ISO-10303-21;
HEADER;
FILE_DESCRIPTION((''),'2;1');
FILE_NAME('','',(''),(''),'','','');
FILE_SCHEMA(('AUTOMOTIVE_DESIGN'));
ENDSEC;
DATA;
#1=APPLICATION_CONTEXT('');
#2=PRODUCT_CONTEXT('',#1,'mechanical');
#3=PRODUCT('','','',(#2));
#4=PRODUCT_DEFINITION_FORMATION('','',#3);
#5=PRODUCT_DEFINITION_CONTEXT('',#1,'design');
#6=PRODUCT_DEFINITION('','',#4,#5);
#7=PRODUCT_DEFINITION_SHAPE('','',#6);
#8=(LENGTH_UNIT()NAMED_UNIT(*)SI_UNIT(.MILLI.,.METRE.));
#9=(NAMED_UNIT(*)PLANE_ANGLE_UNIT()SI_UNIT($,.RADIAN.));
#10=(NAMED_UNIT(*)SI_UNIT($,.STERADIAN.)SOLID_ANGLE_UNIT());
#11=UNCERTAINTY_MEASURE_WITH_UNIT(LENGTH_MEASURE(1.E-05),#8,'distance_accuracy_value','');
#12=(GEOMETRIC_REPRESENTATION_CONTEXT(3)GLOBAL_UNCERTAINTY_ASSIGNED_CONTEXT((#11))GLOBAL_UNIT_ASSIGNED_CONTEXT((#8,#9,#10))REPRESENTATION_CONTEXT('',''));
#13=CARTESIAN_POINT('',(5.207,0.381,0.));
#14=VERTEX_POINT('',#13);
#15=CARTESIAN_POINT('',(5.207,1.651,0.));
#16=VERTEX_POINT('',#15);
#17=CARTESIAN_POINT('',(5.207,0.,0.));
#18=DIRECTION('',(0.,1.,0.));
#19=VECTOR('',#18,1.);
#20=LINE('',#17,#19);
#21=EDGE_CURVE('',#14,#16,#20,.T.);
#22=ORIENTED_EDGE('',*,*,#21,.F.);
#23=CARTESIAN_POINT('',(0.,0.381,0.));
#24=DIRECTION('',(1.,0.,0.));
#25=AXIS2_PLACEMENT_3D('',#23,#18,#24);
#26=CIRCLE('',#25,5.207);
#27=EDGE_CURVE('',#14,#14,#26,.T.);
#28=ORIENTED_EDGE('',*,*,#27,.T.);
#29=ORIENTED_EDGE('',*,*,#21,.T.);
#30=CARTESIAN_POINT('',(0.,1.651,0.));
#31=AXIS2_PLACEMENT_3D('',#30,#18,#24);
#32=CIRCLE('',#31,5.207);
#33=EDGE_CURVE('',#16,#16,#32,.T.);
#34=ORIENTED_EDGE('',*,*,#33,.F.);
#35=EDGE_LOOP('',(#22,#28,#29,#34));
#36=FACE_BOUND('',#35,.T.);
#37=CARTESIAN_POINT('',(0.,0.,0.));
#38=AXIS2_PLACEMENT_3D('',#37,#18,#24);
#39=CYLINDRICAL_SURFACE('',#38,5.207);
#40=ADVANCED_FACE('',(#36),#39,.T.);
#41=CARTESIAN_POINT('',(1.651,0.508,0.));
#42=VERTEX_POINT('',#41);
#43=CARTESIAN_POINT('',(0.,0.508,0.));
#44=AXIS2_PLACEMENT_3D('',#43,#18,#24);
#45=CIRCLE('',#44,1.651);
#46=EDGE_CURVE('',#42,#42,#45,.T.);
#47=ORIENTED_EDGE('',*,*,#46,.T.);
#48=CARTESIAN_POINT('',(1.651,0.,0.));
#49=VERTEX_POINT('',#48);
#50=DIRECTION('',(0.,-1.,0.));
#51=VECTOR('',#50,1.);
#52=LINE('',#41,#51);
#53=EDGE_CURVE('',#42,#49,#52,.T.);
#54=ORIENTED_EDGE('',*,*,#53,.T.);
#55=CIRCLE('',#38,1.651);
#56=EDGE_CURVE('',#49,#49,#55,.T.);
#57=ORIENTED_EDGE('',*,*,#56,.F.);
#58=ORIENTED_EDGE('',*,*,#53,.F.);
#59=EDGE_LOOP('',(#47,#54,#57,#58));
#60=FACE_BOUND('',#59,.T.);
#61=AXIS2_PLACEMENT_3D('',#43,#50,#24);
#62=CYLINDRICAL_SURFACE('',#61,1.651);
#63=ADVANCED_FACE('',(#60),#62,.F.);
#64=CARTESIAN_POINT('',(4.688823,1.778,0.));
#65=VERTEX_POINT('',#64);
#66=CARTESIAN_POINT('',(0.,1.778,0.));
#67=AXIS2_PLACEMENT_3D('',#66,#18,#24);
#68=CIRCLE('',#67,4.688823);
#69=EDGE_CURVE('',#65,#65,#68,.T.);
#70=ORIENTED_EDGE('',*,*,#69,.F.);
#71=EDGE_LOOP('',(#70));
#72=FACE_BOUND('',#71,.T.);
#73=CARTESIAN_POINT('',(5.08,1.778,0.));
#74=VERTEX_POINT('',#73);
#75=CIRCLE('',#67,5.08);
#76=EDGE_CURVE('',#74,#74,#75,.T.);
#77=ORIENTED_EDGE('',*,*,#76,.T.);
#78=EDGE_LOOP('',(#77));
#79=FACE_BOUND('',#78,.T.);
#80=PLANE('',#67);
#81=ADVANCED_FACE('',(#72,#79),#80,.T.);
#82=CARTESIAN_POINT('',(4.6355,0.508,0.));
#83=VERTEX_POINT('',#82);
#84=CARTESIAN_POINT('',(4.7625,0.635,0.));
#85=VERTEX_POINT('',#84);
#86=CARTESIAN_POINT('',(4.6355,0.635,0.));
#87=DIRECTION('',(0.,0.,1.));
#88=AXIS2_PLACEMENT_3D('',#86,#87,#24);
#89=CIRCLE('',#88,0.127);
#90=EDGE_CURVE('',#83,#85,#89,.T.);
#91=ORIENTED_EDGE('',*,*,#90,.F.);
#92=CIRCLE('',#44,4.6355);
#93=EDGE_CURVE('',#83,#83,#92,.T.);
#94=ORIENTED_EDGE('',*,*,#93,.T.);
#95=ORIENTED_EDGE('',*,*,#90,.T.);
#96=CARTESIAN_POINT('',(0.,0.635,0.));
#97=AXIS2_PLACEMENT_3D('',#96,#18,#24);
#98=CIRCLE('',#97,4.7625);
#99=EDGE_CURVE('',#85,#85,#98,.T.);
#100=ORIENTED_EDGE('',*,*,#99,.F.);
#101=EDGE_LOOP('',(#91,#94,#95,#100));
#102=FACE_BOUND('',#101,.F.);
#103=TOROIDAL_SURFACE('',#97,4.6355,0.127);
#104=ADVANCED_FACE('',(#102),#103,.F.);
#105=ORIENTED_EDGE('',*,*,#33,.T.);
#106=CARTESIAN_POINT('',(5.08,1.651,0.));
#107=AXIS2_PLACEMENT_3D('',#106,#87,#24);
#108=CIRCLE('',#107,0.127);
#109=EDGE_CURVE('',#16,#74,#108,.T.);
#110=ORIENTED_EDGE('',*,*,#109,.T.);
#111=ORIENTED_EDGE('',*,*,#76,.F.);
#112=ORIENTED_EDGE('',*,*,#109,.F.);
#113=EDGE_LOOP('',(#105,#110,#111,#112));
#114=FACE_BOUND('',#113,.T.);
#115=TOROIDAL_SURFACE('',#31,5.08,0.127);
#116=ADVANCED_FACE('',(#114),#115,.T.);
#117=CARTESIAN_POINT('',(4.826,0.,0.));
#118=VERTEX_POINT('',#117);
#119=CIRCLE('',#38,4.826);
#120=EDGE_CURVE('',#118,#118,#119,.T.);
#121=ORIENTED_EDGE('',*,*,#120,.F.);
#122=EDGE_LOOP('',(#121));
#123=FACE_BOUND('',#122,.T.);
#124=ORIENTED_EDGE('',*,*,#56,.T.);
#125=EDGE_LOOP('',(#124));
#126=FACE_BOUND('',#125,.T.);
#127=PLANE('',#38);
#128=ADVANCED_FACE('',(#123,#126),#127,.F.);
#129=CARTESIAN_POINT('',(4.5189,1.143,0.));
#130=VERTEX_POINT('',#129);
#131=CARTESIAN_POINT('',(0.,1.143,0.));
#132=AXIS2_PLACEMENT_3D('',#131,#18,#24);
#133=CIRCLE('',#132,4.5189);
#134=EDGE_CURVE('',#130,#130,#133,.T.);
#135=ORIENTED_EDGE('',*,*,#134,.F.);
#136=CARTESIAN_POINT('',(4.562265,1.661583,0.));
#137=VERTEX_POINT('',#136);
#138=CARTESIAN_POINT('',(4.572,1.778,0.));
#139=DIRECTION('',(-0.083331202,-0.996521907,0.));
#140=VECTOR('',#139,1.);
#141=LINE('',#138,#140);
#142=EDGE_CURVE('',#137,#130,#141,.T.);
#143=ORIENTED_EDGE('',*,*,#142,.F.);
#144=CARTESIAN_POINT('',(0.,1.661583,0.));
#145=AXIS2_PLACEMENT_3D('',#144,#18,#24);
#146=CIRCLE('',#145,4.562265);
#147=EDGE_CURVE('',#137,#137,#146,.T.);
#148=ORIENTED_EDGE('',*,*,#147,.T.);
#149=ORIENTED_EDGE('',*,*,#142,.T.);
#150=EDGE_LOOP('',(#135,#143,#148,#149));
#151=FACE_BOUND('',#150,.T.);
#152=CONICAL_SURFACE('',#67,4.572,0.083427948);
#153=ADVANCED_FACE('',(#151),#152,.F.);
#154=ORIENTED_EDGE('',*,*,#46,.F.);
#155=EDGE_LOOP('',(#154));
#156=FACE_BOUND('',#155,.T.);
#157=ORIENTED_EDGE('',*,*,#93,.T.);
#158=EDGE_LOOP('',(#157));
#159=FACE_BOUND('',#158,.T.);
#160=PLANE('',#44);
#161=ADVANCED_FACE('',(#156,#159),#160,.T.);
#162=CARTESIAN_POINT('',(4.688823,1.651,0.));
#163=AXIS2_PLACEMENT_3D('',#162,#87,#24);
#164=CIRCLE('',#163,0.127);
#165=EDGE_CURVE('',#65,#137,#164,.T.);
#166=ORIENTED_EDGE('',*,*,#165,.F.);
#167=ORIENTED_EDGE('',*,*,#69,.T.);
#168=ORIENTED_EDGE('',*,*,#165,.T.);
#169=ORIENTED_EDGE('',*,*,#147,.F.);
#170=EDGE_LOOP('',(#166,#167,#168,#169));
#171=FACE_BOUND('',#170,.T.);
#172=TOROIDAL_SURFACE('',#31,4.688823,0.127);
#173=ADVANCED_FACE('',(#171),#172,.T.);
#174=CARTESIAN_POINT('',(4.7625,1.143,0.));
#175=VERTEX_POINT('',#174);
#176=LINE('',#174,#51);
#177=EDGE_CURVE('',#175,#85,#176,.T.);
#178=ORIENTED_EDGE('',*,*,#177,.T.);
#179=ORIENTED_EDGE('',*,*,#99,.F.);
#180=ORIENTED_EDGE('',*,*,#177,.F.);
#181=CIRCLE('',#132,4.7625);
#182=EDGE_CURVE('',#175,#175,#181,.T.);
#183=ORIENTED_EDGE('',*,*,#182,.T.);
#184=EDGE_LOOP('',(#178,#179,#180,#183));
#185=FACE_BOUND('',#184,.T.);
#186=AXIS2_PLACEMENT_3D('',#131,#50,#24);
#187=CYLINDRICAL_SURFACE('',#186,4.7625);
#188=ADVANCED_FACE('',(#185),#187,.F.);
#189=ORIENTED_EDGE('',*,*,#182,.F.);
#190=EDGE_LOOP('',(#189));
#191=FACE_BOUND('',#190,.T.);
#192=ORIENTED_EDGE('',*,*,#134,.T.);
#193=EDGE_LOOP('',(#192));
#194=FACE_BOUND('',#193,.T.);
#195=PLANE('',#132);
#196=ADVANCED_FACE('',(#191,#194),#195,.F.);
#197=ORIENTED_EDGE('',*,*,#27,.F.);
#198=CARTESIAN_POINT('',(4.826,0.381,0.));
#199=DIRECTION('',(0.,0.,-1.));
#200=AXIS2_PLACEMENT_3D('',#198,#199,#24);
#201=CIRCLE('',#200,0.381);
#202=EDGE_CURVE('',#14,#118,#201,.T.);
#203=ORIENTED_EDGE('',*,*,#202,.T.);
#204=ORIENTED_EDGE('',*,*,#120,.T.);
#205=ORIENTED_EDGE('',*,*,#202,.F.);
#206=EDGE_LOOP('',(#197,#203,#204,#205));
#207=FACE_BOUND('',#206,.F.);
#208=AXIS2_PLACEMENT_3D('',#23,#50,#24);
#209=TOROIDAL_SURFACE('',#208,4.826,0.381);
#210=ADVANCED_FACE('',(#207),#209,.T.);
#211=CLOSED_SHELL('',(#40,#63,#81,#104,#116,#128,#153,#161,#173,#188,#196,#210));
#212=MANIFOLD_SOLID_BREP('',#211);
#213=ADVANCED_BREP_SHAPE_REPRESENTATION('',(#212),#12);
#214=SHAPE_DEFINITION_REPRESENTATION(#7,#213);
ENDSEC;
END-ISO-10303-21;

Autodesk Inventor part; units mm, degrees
ref_plane "YZ Plane" through (0, 0, 0) normal (1, 0, 0) x (0, 1, 0)
ref_plane "XZ Plane" through (0, 0, 0) normal (0, 1, 0) x (-1, 0, 0)
ref_plane "XY Plane" through (0, 0, 0) normal (0, 0, 1) x (1, 0, 0)
sketch "Sketch1" plane through (0, 0, 0) normal (0, 0, 1) x (1, 0, 0)
  line L0 (-1.0414, 0) -> (6.2484, 0) construction
  line L1 (0, -0.3556) -> (0, 2.1336) construction
  line L2 (1.651, 0) -> (5.207, 0)
  line L3 (5.207, 0) -> (5.207, 1.778)
  line L4 (5.207, 1.778) -> (4.572, 1.778)
  line L5 (4.572, 1.778) -> (4.5189, 1.143)
  line L6 (4.5189, 1.143) -> (4.7625, 1.143)
  line L7 (4.7625, 1.143) -> (4.7625, 0.508)
  line L8 (4.7625, 0.508) -> (1.651, 0.508)
  line L9 (1.651, 0.508) -> (1.651, 0)
  point P0 (0, 0)
  dimension "d0" = 3.302
  dimension "d1" = 10.414
  dimension "d2" = 1.778
  dimension "d3" = 0.635
  dimension "d4" = 9.0378
  dimension "d5" = 9.525
  dimension "d6" = 0.508
  dimension "d7" = 0.635
revolve "Revolution1" add sketch "Sketch1" angle 360 about axis through (0, -10, 0) along (0, 1, 0)
fillet "Fillet1" radius 0.381 1 edges at (-5.207, 0, 0)
fillet "Fillet2" radius 0.127 3 edges at (-5.207, 1.778, 0) (-4.572, 1.778, 0) (-4.7625, 0.508, 0)
equation "\"d7\" = d3"
properties part number "Shock Cartridge Cover"
